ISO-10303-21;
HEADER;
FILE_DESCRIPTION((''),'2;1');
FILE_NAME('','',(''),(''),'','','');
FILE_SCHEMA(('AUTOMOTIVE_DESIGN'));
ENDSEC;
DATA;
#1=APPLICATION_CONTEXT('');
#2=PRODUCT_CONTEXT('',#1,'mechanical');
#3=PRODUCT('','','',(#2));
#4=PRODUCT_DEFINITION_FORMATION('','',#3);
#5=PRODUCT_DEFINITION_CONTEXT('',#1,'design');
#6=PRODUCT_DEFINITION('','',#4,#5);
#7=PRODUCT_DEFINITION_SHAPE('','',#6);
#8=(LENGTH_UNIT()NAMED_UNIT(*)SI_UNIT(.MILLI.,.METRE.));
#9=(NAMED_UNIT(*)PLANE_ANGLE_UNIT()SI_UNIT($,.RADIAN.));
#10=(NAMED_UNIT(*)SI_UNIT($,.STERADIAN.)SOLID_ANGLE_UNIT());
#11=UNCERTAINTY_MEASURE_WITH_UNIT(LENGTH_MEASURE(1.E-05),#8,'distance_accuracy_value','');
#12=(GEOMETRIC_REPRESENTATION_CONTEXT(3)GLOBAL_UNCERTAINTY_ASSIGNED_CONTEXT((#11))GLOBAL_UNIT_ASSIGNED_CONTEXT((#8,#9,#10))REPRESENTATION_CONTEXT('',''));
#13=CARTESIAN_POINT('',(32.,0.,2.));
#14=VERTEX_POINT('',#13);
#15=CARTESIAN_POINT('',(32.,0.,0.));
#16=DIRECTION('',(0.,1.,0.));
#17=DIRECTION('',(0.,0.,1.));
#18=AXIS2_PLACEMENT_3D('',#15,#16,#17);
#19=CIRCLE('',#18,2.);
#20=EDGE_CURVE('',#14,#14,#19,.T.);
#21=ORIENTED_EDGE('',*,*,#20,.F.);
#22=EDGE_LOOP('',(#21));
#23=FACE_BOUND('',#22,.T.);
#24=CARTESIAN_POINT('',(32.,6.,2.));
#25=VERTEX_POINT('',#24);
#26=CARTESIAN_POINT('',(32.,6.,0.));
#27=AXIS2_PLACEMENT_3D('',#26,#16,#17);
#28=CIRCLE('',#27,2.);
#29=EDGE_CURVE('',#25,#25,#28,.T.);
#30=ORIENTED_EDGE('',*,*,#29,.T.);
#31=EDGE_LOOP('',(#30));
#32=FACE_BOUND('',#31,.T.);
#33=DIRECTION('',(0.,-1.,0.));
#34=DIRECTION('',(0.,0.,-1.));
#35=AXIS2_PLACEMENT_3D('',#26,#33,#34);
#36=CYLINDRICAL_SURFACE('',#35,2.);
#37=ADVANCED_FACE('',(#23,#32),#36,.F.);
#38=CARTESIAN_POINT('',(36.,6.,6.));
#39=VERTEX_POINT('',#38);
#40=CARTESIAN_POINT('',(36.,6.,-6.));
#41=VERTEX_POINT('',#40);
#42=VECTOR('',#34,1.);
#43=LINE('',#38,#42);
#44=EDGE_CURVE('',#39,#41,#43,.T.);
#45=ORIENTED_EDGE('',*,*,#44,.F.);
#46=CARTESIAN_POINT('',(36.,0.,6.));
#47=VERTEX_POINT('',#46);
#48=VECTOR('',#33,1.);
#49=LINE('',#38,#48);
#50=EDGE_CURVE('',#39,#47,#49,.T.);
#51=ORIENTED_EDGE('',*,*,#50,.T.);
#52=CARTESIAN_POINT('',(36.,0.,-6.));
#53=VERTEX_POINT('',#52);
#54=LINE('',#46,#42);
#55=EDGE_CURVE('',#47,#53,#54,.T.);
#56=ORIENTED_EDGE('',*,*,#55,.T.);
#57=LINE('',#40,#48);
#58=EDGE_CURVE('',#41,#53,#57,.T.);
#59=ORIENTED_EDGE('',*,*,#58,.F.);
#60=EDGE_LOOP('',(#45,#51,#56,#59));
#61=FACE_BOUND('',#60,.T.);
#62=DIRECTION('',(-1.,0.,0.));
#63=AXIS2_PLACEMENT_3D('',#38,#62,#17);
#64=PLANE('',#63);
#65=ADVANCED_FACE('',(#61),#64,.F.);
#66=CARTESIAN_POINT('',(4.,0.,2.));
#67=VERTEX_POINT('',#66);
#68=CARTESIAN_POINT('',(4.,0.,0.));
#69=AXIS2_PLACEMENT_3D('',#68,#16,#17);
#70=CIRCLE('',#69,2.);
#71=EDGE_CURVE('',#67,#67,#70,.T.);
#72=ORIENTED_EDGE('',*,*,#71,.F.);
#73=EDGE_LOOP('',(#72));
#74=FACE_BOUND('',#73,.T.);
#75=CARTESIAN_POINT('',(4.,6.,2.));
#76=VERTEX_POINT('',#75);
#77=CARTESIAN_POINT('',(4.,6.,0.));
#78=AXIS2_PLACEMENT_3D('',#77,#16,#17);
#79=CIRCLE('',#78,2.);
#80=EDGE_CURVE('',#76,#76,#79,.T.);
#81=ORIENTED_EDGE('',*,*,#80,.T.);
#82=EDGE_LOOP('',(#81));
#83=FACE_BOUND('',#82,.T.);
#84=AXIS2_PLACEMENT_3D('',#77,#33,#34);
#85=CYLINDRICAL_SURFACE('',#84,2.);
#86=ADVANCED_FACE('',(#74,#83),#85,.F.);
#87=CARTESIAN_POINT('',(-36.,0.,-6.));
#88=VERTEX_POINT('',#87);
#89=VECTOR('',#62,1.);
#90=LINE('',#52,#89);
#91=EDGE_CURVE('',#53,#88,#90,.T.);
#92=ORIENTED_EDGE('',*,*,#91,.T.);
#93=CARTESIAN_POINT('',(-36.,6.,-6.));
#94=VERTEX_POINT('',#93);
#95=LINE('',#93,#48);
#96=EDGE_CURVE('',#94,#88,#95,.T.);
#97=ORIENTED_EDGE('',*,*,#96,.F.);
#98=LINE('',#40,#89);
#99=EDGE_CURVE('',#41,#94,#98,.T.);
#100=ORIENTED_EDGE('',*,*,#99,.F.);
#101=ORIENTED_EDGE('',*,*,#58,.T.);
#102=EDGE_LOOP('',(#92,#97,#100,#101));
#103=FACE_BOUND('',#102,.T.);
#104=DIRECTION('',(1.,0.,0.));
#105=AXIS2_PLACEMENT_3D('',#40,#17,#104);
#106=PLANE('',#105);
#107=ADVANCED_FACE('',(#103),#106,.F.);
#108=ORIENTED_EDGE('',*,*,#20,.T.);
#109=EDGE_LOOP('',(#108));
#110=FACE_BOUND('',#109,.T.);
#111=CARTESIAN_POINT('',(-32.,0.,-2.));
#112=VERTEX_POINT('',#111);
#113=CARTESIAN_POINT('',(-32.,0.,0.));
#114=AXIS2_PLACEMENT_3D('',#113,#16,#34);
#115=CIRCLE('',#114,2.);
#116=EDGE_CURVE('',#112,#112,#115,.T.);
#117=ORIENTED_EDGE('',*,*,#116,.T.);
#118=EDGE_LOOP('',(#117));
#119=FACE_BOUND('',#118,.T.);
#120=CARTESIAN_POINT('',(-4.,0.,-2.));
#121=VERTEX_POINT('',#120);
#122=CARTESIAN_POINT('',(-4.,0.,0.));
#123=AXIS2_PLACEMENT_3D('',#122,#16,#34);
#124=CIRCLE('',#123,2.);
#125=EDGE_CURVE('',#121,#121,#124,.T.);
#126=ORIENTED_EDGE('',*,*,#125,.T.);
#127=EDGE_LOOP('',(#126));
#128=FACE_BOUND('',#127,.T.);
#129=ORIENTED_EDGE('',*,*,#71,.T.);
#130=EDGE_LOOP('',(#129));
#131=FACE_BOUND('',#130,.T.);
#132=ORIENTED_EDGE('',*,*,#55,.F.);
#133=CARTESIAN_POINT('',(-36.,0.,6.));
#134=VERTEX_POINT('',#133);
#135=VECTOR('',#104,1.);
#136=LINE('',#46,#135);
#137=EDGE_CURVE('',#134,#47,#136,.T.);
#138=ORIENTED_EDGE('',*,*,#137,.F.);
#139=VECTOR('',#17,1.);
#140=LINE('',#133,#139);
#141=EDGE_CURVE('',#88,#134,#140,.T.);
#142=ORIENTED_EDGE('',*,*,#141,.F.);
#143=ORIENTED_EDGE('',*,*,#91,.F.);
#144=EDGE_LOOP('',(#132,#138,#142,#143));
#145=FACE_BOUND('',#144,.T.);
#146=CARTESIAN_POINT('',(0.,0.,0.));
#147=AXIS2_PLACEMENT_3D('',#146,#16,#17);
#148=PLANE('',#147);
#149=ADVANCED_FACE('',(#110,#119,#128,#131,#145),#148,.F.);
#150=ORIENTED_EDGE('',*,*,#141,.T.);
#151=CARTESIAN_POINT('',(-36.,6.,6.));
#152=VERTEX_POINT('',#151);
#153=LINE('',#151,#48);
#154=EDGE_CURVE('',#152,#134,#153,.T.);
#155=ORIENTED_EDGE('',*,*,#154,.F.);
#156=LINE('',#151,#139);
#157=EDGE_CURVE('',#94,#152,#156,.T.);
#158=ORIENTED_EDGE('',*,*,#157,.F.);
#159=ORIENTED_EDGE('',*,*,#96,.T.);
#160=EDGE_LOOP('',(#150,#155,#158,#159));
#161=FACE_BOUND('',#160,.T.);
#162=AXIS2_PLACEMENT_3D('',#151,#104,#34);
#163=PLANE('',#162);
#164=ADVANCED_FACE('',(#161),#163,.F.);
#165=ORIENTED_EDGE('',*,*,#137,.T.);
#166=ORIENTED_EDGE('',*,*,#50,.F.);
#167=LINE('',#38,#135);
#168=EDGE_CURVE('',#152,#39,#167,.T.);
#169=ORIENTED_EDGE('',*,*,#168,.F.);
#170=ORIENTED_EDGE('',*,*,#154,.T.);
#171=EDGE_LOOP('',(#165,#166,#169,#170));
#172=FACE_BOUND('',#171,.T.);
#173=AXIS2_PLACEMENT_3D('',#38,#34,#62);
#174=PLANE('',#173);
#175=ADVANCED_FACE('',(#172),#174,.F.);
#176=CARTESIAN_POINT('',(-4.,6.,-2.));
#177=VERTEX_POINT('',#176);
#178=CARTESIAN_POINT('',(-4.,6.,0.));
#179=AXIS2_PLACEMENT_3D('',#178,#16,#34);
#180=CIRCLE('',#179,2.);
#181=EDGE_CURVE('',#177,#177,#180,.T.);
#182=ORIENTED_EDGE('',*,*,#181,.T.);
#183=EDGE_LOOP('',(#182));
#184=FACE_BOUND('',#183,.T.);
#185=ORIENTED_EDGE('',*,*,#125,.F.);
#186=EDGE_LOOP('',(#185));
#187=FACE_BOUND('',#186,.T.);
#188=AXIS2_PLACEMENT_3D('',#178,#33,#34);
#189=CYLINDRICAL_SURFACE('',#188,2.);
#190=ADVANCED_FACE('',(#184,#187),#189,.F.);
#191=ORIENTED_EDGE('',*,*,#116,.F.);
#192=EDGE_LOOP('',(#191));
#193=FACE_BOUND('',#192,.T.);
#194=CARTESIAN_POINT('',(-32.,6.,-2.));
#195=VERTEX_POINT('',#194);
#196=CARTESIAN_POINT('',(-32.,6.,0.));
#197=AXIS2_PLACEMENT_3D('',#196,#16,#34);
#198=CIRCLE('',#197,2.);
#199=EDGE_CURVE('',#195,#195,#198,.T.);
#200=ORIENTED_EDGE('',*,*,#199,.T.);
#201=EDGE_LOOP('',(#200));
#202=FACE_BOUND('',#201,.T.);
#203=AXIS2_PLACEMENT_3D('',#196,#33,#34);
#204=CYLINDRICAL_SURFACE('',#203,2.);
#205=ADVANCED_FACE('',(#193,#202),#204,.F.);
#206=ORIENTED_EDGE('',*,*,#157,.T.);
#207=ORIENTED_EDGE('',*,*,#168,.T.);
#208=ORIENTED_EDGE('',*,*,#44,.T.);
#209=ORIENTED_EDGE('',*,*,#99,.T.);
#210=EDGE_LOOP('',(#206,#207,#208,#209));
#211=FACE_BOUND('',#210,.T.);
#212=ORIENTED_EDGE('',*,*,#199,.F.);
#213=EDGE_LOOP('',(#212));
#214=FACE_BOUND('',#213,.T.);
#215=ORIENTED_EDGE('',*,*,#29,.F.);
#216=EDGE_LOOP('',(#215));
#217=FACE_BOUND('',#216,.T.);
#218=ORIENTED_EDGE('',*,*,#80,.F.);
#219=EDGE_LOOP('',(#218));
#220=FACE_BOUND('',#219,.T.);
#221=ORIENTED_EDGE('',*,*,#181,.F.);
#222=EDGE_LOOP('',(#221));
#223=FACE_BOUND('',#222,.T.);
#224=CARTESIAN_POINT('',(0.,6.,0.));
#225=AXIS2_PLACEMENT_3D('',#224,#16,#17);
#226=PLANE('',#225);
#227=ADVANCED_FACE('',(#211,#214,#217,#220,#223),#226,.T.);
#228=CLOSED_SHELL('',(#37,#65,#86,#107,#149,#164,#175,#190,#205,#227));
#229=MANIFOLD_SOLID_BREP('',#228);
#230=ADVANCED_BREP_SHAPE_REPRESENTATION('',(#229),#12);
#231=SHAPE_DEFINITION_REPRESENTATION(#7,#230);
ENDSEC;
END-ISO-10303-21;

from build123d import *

# Parameters (mm, degrees)
SKETCH1_W           = 72
SKETCH1_H           = 12
SKETCH1_R           = 2
BOSS_EXTRUDE1_DEPTH = 6


with BuildPart() as part:
    # Sketch1 → Boss-Extrude1 (new body)
    with BuildSketch(Plane(origin=(0, 0, 0), x_dir=(1, 0, 0), z_dir=(0, 1, 0))):
        Rectangle(SKETCH1_W, SKETCH1_H)
        with Locations(Location((32, 0, 0), (0, 0, 270))):
            Circle(SKETCH1_R, mode=Mode.SUBTRACT)
        with Locations(Location((4, 0, 0), (0, 0, 270))):
            Circle(SKETCH1_R, mode=Mode.SUBTRACT)
        with Locations(Location((-4, 0, 0), (0, 0, 90))):
            Circle(SKETCH1_R, mode=Mode.SUBTRACT)
        with Locations(Location((-32, 0, 0), (0, 0, 90))):
            Circle(SKETCH1_R, mode=Mode.SUBTRACT)
    extrude(amount=BOSS_EXTRUDE1_DEPTH)


solid = part.part
